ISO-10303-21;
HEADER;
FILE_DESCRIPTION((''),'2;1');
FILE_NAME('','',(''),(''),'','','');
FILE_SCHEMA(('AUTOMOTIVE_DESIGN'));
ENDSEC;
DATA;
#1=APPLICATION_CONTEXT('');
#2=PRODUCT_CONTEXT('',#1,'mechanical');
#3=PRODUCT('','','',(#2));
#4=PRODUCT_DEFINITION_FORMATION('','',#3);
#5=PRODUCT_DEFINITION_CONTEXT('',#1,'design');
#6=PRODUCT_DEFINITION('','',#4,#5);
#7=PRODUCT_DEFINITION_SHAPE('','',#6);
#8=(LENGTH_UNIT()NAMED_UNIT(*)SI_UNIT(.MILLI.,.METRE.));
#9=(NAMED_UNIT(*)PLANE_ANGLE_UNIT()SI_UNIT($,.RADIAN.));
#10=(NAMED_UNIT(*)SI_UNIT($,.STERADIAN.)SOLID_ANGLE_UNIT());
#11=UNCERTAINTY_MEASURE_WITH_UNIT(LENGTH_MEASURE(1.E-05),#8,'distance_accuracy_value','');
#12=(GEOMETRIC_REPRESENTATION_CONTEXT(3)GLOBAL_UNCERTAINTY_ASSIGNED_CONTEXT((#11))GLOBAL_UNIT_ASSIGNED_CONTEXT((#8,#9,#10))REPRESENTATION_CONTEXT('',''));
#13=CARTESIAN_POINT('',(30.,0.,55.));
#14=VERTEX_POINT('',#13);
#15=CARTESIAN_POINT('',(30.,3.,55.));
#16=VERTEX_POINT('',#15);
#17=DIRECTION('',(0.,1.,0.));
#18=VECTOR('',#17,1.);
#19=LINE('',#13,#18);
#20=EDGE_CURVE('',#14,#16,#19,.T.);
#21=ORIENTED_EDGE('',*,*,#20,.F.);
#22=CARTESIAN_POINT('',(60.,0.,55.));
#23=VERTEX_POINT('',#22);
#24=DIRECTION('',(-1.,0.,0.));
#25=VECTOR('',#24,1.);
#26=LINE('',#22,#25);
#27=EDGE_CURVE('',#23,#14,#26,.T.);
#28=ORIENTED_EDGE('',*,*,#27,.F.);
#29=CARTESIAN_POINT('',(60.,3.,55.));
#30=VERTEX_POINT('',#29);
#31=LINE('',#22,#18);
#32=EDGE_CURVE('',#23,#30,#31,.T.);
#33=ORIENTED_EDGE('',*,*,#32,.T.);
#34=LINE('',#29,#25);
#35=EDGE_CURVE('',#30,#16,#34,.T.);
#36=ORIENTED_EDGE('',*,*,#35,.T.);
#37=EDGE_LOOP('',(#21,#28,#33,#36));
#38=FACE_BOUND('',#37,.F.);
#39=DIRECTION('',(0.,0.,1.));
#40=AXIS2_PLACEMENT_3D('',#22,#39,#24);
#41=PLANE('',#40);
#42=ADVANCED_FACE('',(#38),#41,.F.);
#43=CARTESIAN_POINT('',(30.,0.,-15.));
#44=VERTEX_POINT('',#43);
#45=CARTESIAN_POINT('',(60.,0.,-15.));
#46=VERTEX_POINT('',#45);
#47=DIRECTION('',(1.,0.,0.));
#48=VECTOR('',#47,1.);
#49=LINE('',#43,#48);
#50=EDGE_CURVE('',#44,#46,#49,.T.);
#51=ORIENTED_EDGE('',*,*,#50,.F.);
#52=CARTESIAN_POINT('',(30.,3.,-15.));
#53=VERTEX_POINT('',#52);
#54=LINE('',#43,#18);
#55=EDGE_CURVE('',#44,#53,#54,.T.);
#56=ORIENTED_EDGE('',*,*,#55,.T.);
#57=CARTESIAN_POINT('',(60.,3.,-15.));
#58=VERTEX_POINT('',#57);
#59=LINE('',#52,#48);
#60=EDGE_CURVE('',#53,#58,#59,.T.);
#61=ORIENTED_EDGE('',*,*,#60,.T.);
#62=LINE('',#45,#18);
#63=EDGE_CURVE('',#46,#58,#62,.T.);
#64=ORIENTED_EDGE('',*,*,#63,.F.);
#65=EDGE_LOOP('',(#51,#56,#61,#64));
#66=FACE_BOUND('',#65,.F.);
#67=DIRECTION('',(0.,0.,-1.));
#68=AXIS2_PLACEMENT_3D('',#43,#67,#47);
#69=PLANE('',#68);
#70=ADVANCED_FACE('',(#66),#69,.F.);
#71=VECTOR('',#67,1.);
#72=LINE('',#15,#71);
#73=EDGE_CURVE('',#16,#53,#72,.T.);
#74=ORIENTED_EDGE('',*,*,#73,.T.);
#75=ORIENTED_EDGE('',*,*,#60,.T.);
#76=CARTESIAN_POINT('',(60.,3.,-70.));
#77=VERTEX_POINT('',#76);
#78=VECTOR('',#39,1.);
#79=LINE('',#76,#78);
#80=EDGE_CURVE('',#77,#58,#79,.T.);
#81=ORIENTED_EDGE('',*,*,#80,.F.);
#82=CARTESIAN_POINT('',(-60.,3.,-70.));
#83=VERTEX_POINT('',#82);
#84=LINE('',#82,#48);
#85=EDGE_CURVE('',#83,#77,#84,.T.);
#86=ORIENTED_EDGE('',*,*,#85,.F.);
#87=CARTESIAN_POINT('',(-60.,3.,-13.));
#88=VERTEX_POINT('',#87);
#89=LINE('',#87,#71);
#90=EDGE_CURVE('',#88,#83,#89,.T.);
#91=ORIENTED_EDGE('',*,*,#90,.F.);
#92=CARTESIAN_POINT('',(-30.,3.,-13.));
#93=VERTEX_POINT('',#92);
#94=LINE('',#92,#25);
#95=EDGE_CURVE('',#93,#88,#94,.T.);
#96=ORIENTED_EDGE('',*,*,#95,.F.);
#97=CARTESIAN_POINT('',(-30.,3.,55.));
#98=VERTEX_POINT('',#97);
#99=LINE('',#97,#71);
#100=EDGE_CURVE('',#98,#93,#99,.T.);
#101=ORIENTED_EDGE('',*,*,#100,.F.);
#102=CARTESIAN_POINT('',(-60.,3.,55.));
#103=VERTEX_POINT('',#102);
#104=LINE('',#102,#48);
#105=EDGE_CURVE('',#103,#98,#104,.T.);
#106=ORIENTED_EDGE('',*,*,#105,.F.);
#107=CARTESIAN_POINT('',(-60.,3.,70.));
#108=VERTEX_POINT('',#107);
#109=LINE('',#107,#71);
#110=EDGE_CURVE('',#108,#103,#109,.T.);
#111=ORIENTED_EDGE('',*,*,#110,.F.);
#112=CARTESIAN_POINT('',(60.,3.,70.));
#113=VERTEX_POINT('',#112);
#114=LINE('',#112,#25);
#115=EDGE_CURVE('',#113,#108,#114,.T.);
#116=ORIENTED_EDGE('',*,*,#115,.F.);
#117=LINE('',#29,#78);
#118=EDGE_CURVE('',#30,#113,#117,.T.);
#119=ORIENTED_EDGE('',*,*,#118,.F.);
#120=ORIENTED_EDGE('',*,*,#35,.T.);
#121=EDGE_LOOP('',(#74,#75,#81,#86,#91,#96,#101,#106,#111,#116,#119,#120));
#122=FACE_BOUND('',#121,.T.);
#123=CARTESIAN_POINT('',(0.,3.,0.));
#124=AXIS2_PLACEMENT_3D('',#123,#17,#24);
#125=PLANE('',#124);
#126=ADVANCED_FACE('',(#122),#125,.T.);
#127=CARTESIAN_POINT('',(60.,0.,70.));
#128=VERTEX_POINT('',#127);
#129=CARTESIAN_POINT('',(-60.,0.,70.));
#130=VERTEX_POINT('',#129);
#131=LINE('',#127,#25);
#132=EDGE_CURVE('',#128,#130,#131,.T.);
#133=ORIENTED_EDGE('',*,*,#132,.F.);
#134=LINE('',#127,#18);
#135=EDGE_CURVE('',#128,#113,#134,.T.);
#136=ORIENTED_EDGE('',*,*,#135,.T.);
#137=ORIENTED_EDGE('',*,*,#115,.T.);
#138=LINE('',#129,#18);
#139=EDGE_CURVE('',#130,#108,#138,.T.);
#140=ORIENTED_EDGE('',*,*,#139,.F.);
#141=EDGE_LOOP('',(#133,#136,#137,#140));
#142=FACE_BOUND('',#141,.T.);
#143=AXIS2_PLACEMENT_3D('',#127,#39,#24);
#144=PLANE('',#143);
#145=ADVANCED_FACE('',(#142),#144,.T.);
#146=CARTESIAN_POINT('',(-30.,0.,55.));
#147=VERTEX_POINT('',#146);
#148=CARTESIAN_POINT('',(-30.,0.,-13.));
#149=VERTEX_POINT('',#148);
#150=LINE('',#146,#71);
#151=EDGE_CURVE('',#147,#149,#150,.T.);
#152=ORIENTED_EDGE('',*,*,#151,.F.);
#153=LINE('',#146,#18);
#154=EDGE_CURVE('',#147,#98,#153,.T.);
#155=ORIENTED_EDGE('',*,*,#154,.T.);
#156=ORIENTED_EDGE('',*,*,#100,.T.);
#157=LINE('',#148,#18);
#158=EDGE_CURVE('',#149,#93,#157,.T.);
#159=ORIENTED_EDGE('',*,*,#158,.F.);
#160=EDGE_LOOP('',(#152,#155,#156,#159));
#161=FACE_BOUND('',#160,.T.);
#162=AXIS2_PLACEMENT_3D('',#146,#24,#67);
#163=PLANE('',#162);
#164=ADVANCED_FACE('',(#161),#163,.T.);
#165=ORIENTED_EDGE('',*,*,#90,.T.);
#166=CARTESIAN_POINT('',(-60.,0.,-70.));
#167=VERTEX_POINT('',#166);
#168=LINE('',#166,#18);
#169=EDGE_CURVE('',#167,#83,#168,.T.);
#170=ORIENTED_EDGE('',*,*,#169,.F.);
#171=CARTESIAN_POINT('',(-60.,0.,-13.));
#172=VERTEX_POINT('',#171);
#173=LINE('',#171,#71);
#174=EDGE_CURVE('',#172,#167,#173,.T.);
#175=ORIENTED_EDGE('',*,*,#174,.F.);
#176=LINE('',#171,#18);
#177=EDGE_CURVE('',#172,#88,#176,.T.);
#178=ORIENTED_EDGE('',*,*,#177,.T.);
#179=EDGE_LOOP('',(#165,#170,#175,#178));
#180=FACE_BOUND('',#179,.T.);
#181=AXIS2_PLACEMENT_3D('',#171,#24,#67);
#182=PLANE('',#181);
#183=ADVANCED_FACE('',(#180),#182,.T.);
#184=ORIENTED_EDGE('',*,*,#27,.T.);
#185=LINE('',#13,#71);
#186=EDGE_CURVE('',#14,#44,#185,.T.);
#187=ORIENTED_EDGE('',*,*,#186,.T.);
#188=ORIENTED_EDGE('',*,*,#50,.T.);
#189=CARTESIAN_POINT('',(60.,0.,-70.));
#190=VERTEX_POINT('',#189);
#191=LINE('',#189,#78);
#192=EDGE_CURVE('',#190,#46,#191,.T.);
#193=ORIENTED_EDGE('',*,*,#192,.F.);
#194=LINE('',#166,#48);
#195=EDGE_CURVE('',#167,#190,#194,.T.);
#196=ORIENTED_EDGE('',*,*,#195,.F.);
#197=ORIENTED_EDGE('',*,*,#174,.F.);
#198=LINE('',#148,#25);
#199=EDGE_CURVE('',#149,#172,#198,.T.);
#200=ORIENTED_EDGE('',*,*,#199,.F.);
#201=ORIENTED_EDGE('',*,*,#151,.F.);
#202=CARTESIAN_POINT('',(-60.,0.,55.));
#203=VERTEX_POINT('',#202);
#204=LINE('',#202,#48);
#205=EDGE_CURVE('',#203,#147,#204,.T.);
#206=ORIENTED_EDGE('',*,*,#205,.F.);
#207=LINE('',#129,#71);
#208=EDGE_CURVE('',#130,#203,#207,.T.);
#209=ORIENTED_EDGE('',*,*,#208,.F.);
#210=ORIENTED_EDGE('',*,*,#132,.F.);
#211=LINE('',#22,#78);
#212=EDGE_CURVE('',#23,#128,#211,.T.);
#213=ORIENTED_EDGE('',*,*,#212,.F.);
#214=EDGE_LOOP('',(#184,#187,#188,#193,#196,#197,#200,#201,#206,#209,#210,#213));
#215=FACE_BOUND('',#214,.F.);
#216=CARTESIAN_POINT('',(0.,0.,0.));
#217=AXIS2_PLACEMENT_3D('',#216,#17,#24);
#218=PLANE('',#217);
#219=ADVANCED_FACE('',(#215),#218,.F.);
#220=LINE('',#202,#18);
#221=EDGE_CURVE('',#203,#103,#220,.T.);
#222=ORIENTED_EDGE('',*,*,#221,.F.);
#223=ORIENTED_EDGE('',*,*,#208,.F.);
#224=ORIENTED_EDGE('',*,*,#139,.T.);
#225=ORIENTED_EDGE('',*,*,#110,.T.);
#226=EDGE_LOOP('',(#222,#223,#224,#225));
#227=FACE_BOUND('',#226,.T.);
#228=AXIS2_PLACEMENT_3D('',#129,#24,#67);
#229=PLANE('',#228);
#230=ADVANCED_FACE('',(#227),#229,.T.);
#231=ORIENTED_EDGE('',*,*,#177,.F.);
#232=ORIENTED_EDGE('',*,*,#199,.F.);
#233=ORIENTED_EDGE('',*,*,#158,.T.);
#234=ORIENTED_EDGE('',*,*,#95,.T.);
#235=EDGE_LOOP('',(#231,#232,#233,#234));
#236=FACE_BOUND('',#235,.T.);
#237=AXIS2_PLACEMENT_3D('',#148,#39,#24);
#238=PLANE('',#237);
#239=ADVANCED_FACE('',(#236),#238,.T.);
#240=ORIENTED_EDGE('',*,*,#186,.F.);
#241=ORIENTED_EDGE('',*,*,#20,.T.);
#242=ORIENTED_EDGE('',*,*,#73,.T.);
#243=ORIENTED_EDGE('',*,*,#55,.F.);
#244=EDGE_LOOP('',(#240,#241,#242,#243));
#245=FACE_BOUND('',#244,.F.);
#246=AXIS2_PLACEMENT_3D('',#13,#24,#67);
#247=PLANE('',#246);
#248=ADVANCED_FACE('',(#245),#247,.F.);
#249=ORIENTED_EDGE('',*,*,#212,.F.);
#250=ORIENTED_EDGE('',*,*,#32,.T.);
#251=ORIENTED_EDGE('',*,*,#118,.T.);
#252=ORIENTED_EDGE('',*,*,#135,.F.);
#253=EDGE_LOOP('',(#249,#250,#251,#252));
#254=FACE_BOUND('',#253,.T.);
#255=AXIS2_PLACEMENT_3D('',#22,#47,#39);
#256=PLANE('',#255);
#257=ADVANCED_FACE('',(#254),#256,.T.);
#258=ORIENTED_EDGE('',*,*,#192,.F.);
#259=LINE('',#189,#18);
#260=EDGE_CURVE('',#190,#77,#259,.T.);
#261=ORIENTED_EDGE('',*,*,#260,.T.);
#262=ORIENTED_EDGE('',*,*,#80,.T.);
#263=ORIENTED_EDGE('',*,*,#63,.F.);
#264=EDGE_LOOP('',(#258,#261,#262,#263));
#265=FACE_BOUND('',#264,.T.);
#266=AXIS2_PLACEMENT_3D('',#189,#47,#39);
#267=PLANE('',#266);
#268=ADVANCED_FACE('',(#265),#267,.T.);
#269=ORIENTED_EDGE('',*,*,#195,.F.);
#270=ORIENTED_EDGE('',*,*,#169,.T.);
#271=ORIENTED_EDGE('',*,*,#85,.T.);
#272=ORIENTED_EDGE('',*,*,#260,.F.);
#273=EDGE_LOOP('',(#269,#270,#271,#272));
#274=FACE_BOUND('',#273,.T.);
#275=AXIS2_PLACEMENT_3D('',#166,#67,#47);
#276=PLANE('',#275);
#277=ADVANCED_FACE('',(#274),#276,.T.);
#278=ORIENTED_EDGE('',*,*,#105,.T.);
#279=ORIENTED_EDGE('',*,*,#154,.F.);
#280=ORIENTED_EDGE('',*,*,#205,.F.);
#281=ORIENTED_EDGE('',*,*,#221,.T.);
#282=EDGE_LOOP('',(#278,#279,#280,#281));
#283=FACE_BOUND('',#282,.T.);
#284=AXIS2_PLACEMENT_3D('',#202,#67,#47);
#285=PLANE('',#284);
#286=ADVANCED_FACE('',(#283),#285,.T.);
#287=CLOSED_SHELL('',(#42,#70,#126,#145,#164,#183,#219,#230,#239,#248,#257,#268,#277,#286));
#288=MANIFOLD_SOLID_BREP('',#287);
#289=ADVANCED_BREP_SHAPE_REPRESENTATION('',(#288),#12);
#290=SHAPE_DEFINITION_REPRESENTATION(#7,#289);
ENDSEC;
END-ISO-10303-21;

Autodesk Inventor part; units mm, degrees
ref_plane "YZ Plane" through (0, 0, 0) normal (1, 0, 0) x (0, 1, 0)
ref_plane "XZ Plane" through (0, 0, 0) normal (0, 1, 0) x (-1, 0, 0)
ref_plane "XY Plane" through (0, 0, 0) normal (0, 0, 1) x (1, 0, 0)
sketch "Sketch2" plane through (0, 0, 0) normal (0, 1, 0) x (-1, 0, 0)
  line L0 (-60, 70) -> (60, 70)
  line L1 (60, -70) -> (-60, -70)
  line L2 (-60, 70) -> (60, -70) construction
  line L3 (60, 70) -> (-60, -70) construction
  line L4 (-60, 55) -> (-30, 55)
  line L5 (-30, 55) -> (-30, -15)
  line L6 (-30, -15) -> (-60, -15)
  line L7 (-60, -15) -> (-60, 55)
  line L8 (60, 55) -> (30, 55)
  line L9 (30, 55) -> (30, -13)
  line L10 (30, -13) -> (60, -13)
  line L11 (60, 70) -> (60, 55)
  line L12 (60, -13) -> (60, -70)
  line L13 (-60, -70) -> (-60, -15)
  line L14 (-60, 55) -> (-60, 70)
  point P0 (0, 0)
  dimension "d9" = 120
  dimension "d10" = 140
  dimension "d11" = 30
  dimension "d12" = 70
  dimension "d13" = 15
  dimension "d17" = 68
  dimension "d18" = 15
extrude "Extrusion2" add sketch "Sketch2" along normal blind 3 contours L0 L11 L8 L9 L10 L12 L1 L13 L6 L5 L4 L14
properties part number "base"
